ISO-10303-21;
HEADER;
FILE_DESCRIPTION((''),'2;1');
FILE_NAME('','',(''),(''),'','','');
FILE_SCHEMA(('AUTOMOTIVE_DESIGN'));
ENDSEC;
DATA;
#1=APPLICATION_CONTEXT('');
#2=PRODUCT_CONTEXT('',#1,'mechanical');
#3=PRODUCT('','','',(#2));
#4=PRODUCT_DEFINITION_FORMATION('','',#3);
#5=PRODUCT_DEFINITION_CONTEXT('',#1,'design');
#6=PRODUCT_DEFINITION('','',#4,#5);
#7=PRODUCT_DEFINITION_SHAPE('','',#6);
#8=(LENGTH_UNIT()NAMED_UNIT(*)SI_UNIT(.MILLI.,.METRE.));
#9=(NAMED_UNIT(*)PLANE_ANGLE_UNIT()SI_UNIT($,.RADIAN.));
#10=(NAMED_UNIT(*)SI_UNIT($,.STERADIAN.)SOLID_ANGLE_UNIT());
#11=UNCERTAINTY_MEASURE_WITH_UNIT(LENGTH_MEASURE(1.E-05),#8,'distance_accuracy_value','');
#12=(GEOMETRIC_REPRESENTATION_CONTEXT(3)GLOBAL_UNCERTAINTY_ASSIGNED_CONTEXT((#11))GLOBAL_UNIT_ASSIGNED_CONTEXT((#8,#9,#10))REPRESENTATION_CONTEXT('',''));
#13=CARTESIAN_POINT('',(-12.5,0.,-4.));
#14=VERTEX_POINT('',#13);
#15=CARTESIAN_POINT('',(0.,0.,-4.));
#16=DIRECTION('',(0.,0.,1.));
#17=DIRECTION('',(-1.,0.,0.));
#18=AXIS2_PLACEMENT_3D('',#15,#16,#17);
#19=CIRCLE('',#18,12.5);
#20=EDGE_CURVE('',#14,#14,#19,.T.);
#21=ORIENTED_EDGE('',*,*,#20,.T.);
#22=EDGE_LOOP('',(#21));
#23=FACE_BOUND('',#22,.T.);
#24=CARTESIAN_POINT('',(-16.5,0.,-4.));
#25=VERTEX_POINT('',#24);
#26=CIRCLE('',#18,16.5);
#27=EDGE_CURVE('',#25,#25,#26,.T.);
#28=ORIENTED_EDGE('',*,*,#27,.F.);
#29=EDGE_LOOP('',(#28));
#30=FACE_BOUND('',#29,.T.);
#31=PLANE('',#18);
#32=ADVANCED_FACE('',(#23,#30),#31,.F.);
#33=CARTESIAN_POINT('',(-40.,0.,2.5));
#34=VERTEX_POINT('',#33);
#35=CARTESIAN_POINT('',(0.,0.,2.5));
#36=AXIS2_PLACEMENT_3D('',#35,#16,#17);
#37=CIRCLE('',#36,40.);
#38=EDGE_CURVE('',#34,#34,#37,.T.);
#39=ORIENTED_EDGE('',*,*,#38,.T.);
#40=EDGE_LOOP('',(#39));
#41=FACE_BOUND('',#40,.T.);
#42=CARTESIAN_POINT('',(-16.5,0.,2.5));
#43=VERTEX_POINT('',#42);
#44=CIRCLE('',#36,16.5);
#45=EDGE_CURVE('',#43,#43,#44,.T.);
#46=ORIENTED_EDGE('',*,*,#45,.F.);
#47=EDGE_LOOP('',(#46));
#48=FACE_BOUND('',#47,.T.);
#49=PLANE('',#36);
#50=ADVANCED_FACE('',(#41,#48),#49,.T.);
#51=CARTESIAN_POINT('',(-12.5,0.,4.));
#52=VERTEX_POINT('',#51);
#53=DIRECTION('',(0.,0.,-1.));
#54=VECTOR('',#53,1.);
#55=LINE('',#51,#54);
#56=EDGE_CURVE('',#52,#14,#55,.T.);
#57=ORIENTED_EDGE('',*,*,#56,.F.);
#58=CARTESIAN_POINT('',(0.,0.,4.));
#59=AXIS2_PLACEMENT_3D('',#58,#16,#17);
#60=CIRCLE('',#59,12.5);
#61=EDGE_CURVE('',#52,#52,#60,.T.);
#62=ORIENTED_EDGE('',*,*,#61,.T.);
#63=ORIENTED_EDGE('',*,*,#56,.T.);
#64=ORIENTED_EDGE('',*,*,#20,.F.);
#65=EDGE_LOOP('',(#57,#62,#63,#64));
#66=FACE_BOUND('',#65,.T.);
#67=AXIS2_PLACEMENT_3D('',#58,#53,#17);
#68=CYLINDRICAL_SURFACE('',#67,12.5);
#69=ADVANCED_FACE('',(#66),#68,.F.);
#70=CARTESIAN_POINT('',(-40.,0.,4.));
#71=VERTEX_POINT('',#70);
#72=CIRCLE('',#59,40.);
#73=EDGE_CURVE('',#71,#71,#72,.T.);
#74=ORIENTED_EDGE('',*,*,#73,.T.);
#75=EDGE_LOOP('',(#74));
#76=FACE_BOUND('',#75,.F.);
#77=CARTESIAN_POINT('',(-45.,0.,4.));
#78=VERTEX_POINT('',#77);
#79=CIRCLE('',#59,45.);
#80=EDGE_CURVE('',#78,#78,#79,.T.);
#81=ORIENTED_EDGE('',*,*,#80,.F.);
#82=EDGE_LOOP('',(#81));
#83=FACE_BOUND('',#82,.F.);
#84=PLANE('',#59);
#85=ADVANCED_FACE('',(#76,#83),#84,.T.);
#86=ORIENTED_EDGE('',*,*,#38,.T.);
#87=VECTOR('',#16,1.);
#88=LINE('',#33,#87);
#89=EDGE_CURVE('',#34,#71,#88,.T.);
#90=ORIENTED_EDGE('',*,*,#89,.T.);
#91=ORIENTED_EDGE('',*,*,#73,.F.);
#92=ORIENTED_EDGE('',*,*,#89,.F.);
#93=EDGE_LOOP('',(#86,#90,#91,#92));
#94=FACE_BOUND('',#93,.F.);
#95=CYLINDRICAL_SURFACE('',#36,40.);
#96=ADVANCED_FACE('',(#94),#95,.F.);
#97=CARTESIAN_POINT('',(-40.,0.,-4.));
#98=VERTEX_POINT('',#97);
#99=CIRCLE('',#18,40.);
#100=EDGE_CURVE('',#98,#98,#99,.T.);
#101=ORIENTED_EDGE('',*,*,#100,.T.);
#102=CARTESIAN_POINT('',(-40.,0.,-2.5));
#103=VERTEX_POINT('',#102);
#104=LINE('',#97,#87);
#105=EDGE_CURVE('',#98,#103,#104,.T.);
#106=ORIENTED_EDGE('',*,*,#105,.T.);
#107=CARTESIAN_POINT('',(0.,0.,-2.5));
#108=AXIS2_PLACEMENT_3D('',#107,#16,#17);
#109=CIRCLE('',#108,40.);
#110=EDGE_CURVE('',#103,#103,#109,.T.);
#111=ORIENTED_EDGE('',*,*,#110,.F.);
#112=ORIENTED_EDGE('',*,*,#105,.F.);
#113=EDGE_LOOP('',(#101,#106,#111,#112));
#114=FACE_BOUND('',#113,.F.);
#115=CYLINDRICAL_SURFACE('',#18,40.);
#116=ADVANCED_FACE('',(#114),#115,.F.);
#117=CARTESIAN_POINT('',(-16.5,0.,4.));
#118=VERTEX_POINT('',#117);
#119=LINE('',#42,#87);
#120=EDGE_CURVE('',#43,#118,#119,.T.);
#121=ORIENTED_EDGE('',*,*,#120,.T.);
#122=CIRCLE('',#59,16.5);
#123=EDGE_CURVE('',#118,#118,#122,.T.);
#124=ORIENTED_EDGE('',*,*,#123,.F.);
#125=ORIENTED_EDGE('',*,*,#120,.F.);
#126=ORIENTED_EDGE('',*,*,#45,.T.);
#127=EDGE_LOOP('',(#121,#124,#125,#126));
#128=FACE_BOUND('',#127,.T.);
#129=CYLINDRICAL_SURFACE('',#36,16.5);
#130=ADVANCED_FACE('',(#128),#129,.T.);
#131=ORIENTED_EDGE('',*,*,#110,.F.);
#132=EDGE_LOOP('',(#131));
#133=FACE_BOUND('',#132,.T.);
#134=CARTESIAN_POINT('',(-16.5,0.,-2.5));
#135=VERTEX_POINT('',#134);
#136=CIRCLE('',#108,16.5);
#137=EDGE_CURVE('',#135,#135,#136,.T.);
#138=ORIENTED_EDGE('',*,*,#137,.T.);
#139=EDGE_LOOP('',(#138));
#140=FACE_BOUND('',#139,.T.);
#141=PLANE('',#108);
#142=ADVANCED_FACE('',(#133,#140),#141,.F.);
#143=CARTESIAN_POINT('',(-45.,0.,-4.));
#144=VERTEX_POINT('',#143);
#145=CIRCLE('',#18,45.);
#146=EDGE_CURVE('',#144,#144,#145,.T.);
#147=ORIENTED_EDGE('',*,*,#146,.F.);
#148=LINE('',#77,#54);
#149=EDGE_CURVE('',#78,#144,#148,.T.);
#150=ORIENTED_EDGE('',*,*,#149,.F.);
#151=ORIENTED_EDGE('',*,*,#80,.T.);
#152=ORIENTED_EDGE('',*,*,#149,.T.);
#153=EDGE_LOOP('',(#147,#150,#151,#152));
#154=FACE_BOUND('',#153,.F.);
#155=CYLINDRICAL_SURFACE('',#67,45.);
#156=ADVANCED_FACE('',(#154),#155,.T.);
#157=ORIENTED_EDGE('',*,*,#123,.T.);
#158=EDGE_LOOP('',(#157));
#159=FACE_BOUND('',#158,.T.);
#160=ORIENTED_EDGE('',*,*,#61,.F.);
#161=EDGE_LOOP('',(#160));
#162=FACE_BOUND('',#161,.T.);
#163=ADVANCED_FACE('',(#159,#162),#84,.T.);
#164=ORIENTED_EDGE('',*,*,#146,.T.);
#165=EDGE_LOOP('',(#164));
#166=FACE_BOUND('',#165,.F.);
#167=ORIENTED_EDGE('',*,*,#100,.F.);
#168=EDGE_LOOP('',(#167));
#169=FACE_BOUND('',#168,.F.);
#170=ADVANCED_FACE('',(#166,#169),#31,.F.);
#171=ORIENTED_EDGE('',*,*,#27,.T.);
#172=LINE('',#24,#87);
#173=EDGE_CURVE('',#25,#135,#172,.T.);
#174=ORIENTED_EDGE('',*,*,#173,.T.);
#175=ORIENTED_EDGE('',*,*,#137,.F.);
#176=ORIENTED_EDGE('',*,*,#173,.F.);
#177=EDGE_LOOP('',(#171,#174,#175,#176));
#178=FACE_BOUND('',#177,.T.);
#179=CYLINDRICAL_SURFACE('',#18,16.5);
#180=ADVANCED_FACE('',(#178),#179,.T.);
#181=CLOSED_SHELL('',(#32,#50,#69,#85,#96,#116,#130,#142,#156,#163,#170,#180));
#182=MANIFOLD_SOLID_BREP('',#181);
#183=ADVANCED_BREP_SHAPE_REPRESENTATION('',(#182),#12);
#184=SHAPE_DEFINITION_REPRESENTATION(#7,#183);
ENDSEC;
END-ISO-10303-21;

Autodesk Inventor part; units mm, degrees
ref_plane "YZ Plane" through (0, 0, 0) normal (1, 0, 0) x (0, 1, 0)
ref_plane "XZ Plane" through (0, 0, 0) normal (0, 1, 0) x (-1, 0, 0)
ref_plane "XY Plane" through (0, 0, 0) normal (0, 0, 1) x (1, 0, 0)
sketch "Sketch1" plane through (0, 0, 0) normal (0, 1, 0) x (-1, 0, 0)
  line L0 (16.5, 4) -> (12.5, 4)
  line L1 (12.5, 4) -> (12.5, -4)
  line L2 (12.5, -4) -> (16.5, -4)
  line L3 (16.5, -2.5) -> (40, -2.5)
  line L4 (40, 2.5) -> (16.5, 2.5)
  line L5 (40, 4) -> (45, 4)
  line L6 (45, 4) -> (45, -4)
  line L7 (45, -4) -> (40, -4)
  line L8 (16.5, 2.5) -> (16.5, 4)
  line L9 (16.5, -4) -> (16.5, -2.5)
  line L10 (40, -4) -> (40, -2.5)
  line L11 (40, 2.5) -> (40, 4)
  line L12 (0, -5.6) -> (0, 5.6) projected
  line L13 (45, 4) -> (12.5, -4) construction
  line L14 (45, -4) -> (12.5, 4) construction
  point P0 (0, 0)
  point P1 (45, 0)
  point P2 (28.75, 0)
  point P3 (40, 2)
  point P4 (16.5, -2)
  point P5 (40, -2)
  point P6 (16.5, 2)
  dimension "d1" = 90
  dimension "d2" = 5
  dimension "d3" = 4
  dimension "d4" = 25
  dimension "d5" = 8
  dimension "d7" = 1.5
revolve "Revolution1" add sketch "Sketch1" angle 360 about axis through (0, 0, -10) along (0, 0, 1)
properties part number "Counterweight (500g)" material "Steel, Cast"
